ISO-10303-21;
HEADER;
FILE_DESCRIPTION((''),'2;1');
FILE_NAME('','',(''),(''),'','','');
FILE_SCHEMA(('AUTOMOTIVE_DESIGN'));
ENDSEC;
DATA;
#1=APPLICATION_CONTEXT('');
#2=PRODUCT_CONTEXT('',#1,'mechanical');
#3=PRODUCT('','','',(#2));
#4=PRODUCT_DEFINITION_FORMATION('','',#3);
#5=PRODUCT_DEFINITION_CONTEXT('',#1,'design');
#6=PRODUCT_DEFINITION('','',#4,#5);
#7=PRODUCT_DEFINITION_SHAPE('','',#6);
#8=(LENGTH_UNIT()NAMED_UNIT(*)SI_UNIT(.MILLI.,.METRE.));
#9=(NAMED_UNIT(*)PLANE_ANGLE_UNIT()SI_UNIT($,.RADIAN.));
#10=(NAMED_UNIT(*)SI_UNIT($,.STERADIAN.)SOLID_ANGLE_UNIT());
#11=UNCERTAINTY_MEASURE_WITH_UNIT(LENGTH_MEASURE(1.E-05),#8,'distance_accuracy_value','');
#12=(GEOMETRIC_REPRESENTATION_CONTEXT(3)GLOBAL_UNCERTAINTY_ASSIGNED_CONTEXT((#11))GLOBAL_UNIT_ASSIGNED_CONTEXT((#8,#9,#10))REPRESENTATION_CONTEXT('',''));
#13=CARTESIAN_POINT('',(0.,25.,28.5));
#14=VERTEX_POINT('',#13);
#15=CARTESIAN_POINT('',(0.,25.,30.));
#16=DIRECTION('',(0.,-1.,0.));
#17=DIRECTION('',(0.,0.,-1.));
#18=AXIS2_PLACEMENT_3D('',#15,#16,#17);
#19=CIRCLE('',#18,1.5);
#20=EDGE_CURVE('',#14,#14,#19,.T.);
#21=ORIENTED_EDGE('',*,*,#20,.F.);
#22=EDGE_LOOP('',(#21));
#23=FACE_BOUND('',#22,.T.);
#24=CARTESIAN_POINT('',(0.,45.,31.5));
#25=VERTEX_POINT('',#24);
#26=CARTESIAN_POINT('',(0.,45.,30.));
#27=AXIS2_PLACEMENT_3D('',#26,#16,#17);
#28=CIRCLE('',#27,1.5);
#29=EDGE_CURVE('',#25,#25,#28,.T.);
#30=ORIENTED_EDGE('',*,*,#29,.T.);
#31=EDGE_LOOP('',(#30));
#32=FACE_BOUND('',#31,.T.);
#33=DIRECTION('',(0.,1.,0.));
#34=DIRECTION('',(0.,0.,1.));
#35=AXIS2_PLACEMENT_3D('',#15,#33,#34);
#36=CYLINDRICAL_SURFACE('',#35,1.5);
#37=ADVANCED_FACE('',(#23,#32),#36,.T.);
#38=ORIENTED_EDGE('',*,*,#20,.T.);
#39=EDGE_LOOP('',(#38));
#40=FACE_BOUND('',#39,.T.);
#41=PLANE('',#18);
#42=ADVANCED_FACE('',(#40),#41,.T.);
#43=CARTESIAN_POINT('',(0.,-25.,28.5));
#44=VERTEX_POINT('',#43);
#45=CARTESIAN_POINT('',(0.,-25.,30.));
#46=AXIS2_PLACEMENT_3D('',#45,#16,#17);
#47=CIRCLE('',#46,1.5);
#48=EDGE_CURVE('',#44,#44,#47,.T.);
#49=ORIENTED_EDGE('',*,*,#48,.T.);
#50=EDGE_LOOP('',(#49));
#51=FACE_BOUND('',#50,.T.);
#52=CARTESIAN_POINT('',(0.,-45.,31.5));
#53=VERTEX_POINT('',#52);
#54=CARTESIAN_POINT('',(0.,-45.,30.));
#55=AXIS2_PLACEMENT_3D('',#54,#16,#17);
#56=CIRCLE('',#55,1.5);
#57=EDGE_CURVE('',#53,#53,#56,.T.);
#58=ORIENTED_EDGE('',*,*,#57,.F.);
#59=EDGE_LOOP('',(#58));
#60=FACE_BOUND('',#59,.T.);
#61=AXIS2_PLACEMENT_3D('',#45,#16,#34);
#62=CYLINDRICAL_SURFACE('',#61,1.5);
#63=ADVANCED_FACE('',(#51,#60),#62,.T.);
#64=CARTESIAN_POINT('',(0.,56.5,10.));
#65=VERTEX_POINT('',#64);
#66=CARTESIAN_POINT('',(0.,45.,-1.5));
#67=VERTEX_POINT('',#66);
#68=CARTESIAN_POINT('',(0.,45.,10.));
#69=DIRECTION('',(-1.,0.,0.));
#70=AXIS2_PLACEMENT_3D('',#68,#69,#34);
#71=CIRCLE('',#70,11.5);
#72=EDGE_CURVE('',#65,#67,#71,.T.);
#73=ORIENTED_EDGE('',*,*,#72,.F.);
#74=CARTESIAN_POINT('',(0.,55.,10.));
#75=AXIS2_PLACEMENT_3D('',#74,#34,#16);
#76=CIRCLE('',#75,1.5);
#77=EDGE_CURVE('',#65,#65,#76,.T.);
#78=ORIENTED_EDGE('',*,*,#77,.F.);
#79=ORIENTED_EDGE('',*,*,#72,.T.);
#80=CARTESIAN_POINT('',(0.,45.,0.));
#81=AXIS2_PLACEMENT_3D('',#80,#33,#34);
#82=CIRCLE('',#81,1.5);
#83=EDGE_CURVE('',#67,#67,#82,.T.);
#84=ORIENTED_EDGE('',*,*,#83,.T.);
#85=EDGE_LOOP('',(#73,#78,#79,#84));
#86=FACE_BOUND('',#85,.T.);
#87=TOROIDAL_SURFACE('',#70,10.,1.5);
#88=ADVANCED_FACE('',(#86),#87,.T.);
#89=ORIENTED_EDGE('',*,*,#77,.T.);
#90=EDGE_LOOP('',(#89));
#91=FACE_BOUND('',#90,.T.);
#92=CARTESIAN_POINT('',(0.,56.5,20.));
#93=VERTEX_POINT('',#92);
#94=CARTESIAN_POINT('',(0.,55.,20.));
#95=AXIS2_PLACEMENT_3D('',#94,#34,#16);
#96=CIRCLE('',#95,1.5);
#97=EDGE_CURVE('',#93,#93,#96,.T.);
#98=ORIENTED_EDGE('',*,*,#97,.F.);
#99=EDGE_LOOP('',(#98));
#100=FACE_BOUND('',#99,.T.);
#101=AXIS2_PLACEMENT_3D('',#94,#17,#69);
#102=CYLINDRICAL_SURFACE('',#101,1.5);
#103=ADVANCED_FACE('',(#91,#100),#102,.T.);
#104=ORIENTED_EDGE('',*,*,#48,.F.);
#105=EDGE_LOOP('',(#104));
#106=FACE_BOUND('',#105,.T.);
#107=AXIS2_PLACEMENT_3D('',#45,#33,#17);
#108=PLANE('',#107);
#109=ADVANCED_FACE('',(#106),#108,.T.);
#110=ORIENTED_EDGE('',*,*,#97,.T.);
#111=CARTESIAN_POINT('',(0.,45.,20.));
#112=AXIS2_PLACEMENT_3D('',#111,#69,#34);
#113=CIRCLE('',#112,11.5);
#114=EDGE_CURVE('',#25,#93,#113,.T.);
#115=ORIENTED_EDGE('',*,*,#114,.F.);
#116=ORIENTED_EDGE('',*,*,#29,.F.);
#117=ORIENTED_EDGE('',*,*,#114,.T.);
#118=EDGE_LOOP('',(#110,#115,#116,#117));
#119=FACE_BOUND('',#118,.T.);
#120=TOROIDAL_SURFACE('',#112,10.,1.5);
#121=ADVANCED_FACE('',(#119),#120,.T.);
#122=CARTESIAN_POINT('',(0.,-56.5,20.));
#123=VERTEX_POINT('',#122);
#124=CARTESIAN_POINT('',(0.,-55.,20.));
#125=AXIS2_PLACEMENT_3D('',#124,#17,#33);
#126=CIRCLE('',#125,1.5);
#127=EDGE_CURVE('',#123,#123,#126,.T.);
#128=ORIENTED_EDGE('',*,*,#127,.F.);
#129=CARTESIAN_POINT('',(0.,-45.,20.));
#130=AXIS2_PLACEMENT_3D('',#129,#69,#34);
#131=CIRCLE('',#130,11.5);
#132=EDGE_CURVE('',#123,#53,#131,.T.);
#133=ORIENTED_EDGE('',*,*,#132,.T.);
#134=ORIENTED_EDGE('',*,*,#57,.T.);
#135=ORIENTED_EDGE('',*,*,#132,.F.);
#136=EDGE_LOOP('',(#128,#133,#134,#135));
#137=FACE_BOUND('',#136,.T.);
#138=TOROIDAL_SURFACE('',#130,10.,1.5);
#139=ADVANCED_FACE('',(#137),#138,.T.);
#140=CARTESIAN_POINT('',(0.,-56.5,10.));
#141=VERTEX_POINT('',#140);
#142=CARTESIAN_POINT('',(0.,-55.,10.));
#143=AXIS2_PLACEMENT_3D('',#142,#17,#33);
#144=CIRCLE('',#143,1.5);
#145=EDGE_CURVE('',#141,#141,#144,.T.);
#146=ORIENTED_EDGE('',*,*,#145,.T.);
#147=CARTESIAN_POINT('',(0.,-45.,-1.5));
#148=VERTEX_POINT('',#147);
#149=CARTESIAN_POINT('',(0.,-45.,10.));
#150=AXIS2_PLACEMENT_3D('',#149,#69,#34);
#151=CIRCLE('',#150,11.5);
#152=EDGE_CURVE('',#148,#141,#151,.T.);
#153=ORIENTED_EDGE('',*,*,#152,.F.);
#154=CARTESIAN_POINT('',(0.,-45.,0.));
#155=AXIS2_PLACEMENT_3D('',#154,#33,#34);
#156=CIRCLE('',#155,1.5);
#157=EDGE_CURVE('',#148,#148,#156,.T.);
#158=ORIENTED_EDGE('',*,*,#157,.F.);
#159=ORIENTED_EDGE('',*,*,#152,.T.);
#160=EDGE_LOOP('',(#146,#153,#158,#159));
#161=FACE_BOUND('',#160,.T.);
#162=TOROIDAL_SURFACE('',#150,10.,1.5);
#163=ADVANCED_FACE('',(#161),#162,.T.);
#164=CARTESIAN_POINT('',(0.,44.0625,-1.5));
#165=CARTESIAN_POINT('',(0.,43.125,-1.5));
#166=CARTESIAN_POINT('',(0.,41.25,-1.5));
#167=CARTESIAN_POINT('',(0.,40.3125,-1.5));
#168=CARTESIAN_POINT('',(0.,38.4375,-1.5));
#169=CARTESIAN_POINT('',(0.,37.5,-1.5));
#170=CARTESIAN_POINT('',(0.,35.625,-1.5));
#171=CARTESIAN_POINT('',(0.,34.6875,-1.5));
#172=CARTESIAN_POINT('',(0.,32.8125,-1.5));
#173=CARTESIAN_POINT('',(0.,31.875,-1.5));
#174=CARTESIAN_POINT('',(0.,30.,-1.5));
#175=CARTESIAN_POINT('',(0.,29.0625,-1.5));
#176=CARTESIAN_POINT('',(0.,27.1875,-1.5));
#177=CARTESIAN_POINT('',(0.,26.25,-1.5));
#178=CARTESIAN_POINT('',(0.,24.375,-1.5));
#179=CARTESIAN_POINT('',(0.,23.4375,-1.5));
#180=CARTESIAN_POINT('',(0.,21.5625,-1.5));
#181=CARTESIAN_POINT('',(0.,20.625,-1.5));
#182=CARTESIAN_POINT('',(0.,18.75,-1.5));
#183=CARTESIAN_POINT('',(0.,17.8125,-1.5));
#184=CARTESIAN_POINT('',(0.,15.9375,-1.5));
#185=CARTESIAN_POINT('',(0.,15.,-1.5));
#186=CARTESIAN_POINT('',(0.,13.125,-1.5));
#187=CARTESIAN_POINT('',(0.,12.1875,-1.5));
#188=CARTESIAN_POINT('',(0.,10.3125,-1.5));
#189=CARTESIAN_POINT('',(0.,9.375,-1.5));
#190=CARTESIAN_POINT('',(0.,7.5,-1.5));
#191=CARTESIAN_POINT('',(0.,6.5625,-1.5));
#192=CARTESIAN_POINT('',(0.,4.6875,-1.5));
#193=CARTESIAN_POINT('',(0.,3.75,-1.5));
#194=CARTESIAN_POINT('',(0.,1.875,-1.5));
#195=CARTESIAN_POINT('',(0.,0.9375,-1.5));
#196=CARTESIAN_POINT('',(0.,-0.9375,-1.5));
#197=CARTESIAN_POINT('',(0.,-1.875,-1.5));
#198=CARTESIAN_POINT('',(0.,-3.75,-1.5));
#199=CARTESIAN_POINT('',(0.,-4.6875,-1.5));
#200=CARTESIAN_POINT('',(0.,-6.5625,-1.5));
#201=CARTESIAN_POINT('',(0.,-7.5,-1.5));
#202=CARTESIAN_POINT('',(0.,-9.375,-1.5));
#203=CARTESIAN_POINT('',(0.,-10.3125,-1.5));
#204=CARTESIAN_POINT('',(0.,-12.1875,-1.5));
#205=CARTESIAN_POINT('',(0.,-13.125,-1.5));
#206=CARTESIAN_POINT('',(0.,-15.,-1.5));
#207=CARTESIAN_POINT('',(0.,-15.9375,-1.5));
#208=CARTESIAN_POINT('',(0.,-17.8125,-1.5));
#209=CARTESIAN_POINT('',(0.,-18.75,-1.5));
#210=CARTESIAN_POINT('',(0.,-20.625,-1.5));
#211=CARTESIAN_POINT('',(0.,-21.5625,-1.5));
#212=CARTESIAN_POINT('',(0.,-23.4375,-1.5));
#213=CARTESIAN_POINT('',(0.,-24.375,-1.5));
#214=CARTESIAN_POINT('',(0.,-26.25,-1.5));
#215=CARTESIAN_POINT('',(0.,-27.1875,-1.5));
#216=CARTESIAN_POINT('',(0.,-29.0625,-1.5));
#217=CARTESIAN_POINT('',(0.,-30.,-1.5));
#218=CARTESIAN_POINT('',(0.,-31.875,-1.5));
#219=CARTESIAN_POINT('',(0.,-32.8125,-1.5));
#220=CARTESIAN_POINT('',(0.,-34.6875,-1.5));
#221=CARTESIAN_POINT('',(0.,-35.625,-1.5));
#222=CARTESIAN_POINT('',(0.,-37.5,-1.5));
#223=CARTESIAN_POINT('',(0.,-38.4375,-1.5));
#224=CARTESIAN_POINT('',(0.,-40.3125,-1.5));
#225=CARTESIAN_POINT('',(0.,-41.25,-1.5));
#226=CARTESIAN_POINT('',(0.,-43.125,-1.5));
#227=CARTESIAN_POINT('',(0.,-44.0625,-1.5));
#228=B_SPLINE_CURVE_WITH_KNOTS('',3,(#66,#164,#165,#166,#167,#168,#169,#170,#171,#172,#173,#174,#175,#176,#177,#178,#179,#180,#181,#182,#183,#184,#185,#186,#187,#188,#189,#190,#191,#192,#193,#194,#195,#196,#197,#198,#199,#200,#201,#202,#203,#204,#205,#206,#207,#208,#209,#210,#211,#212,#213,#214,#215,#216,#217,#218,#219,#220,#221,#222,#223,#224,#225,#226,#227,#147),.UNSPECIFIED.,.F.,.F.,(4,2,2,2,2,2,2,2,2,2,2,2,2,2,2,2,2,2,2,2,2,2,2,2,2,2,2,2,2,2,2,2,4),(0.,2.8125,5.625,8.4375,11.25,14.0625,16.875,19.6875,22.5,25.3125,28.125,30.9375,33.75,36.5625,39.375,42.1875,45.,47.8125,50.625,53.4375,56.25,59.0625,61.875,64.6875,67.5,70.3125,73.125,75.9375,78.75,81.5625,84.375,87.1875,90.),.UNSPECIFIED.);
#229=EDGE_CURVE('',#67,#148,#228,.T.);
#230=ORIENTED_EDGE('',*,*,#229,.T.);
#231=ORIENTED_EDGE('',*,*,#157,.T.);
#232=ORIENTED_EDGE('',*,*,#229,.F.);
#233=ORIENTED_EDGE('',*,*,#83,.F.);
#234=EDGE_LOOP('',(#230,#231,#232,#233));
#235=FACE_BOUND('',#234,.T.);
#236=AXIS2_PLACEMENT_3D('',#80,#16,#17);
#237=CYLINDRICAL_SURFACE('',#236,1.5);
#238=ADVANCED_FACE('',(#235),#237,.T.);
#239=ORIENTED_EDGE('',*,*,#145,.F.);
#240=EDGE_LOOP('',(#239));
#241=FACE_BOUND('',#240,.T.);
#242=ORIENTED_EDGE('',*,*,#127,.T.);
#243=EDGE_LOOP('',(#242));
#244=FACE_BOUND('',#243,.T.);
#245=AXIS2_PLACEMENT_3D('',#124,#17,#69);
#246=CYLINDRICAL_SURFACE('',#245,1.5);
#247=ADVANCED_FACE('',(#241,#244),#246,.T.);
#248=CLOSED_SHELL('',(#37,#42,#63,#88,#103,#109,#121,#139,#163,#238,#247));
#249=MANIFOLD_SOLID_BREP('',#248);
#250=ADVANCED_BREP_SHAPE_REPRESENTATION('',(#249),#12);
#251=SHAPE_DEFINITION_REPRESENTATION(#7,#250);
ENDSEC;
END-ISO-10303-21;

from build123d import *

# Parameters (mm, degrees)
SKETCH_2_R = 1.5


with BuildPart() as part:
    # По траектории1: sweep along a path in Эскиз1
    with BuildLine(Plane(origin=(0, 0, 0), x_dir=(0, 0, -1), z_dir=(1, 0, 0))) as sweep_1_path:
        Line((0, 0), (0, 45))
        ThreePointArc((0, 45), (-2.928932188, 52.071067812), (-10, 55))
        Line((-10, 55), (-20, 55))
        ThreePointArc((-20, 55), (-27.071067812, 52.071067812), (-30, 45))
        Line((-30, 45), (-30, 25))
    # Эскиз2 → По траектории1 (sweep)
    with BuildSketch(Plane(origin=(0, 0, 0), x_dir=(1, 0, 0), z_dir=(0, 1, 0))):
        Circle(SKETCH_2_R)
    sweep(path=sweep_1_path.line)

    # Зеркальное отражение1: part across plane


with BuildPart() as part_1:
    add(part.part)
    add(part.part.mirror(Plane.ZX))


solid = part_1.part
